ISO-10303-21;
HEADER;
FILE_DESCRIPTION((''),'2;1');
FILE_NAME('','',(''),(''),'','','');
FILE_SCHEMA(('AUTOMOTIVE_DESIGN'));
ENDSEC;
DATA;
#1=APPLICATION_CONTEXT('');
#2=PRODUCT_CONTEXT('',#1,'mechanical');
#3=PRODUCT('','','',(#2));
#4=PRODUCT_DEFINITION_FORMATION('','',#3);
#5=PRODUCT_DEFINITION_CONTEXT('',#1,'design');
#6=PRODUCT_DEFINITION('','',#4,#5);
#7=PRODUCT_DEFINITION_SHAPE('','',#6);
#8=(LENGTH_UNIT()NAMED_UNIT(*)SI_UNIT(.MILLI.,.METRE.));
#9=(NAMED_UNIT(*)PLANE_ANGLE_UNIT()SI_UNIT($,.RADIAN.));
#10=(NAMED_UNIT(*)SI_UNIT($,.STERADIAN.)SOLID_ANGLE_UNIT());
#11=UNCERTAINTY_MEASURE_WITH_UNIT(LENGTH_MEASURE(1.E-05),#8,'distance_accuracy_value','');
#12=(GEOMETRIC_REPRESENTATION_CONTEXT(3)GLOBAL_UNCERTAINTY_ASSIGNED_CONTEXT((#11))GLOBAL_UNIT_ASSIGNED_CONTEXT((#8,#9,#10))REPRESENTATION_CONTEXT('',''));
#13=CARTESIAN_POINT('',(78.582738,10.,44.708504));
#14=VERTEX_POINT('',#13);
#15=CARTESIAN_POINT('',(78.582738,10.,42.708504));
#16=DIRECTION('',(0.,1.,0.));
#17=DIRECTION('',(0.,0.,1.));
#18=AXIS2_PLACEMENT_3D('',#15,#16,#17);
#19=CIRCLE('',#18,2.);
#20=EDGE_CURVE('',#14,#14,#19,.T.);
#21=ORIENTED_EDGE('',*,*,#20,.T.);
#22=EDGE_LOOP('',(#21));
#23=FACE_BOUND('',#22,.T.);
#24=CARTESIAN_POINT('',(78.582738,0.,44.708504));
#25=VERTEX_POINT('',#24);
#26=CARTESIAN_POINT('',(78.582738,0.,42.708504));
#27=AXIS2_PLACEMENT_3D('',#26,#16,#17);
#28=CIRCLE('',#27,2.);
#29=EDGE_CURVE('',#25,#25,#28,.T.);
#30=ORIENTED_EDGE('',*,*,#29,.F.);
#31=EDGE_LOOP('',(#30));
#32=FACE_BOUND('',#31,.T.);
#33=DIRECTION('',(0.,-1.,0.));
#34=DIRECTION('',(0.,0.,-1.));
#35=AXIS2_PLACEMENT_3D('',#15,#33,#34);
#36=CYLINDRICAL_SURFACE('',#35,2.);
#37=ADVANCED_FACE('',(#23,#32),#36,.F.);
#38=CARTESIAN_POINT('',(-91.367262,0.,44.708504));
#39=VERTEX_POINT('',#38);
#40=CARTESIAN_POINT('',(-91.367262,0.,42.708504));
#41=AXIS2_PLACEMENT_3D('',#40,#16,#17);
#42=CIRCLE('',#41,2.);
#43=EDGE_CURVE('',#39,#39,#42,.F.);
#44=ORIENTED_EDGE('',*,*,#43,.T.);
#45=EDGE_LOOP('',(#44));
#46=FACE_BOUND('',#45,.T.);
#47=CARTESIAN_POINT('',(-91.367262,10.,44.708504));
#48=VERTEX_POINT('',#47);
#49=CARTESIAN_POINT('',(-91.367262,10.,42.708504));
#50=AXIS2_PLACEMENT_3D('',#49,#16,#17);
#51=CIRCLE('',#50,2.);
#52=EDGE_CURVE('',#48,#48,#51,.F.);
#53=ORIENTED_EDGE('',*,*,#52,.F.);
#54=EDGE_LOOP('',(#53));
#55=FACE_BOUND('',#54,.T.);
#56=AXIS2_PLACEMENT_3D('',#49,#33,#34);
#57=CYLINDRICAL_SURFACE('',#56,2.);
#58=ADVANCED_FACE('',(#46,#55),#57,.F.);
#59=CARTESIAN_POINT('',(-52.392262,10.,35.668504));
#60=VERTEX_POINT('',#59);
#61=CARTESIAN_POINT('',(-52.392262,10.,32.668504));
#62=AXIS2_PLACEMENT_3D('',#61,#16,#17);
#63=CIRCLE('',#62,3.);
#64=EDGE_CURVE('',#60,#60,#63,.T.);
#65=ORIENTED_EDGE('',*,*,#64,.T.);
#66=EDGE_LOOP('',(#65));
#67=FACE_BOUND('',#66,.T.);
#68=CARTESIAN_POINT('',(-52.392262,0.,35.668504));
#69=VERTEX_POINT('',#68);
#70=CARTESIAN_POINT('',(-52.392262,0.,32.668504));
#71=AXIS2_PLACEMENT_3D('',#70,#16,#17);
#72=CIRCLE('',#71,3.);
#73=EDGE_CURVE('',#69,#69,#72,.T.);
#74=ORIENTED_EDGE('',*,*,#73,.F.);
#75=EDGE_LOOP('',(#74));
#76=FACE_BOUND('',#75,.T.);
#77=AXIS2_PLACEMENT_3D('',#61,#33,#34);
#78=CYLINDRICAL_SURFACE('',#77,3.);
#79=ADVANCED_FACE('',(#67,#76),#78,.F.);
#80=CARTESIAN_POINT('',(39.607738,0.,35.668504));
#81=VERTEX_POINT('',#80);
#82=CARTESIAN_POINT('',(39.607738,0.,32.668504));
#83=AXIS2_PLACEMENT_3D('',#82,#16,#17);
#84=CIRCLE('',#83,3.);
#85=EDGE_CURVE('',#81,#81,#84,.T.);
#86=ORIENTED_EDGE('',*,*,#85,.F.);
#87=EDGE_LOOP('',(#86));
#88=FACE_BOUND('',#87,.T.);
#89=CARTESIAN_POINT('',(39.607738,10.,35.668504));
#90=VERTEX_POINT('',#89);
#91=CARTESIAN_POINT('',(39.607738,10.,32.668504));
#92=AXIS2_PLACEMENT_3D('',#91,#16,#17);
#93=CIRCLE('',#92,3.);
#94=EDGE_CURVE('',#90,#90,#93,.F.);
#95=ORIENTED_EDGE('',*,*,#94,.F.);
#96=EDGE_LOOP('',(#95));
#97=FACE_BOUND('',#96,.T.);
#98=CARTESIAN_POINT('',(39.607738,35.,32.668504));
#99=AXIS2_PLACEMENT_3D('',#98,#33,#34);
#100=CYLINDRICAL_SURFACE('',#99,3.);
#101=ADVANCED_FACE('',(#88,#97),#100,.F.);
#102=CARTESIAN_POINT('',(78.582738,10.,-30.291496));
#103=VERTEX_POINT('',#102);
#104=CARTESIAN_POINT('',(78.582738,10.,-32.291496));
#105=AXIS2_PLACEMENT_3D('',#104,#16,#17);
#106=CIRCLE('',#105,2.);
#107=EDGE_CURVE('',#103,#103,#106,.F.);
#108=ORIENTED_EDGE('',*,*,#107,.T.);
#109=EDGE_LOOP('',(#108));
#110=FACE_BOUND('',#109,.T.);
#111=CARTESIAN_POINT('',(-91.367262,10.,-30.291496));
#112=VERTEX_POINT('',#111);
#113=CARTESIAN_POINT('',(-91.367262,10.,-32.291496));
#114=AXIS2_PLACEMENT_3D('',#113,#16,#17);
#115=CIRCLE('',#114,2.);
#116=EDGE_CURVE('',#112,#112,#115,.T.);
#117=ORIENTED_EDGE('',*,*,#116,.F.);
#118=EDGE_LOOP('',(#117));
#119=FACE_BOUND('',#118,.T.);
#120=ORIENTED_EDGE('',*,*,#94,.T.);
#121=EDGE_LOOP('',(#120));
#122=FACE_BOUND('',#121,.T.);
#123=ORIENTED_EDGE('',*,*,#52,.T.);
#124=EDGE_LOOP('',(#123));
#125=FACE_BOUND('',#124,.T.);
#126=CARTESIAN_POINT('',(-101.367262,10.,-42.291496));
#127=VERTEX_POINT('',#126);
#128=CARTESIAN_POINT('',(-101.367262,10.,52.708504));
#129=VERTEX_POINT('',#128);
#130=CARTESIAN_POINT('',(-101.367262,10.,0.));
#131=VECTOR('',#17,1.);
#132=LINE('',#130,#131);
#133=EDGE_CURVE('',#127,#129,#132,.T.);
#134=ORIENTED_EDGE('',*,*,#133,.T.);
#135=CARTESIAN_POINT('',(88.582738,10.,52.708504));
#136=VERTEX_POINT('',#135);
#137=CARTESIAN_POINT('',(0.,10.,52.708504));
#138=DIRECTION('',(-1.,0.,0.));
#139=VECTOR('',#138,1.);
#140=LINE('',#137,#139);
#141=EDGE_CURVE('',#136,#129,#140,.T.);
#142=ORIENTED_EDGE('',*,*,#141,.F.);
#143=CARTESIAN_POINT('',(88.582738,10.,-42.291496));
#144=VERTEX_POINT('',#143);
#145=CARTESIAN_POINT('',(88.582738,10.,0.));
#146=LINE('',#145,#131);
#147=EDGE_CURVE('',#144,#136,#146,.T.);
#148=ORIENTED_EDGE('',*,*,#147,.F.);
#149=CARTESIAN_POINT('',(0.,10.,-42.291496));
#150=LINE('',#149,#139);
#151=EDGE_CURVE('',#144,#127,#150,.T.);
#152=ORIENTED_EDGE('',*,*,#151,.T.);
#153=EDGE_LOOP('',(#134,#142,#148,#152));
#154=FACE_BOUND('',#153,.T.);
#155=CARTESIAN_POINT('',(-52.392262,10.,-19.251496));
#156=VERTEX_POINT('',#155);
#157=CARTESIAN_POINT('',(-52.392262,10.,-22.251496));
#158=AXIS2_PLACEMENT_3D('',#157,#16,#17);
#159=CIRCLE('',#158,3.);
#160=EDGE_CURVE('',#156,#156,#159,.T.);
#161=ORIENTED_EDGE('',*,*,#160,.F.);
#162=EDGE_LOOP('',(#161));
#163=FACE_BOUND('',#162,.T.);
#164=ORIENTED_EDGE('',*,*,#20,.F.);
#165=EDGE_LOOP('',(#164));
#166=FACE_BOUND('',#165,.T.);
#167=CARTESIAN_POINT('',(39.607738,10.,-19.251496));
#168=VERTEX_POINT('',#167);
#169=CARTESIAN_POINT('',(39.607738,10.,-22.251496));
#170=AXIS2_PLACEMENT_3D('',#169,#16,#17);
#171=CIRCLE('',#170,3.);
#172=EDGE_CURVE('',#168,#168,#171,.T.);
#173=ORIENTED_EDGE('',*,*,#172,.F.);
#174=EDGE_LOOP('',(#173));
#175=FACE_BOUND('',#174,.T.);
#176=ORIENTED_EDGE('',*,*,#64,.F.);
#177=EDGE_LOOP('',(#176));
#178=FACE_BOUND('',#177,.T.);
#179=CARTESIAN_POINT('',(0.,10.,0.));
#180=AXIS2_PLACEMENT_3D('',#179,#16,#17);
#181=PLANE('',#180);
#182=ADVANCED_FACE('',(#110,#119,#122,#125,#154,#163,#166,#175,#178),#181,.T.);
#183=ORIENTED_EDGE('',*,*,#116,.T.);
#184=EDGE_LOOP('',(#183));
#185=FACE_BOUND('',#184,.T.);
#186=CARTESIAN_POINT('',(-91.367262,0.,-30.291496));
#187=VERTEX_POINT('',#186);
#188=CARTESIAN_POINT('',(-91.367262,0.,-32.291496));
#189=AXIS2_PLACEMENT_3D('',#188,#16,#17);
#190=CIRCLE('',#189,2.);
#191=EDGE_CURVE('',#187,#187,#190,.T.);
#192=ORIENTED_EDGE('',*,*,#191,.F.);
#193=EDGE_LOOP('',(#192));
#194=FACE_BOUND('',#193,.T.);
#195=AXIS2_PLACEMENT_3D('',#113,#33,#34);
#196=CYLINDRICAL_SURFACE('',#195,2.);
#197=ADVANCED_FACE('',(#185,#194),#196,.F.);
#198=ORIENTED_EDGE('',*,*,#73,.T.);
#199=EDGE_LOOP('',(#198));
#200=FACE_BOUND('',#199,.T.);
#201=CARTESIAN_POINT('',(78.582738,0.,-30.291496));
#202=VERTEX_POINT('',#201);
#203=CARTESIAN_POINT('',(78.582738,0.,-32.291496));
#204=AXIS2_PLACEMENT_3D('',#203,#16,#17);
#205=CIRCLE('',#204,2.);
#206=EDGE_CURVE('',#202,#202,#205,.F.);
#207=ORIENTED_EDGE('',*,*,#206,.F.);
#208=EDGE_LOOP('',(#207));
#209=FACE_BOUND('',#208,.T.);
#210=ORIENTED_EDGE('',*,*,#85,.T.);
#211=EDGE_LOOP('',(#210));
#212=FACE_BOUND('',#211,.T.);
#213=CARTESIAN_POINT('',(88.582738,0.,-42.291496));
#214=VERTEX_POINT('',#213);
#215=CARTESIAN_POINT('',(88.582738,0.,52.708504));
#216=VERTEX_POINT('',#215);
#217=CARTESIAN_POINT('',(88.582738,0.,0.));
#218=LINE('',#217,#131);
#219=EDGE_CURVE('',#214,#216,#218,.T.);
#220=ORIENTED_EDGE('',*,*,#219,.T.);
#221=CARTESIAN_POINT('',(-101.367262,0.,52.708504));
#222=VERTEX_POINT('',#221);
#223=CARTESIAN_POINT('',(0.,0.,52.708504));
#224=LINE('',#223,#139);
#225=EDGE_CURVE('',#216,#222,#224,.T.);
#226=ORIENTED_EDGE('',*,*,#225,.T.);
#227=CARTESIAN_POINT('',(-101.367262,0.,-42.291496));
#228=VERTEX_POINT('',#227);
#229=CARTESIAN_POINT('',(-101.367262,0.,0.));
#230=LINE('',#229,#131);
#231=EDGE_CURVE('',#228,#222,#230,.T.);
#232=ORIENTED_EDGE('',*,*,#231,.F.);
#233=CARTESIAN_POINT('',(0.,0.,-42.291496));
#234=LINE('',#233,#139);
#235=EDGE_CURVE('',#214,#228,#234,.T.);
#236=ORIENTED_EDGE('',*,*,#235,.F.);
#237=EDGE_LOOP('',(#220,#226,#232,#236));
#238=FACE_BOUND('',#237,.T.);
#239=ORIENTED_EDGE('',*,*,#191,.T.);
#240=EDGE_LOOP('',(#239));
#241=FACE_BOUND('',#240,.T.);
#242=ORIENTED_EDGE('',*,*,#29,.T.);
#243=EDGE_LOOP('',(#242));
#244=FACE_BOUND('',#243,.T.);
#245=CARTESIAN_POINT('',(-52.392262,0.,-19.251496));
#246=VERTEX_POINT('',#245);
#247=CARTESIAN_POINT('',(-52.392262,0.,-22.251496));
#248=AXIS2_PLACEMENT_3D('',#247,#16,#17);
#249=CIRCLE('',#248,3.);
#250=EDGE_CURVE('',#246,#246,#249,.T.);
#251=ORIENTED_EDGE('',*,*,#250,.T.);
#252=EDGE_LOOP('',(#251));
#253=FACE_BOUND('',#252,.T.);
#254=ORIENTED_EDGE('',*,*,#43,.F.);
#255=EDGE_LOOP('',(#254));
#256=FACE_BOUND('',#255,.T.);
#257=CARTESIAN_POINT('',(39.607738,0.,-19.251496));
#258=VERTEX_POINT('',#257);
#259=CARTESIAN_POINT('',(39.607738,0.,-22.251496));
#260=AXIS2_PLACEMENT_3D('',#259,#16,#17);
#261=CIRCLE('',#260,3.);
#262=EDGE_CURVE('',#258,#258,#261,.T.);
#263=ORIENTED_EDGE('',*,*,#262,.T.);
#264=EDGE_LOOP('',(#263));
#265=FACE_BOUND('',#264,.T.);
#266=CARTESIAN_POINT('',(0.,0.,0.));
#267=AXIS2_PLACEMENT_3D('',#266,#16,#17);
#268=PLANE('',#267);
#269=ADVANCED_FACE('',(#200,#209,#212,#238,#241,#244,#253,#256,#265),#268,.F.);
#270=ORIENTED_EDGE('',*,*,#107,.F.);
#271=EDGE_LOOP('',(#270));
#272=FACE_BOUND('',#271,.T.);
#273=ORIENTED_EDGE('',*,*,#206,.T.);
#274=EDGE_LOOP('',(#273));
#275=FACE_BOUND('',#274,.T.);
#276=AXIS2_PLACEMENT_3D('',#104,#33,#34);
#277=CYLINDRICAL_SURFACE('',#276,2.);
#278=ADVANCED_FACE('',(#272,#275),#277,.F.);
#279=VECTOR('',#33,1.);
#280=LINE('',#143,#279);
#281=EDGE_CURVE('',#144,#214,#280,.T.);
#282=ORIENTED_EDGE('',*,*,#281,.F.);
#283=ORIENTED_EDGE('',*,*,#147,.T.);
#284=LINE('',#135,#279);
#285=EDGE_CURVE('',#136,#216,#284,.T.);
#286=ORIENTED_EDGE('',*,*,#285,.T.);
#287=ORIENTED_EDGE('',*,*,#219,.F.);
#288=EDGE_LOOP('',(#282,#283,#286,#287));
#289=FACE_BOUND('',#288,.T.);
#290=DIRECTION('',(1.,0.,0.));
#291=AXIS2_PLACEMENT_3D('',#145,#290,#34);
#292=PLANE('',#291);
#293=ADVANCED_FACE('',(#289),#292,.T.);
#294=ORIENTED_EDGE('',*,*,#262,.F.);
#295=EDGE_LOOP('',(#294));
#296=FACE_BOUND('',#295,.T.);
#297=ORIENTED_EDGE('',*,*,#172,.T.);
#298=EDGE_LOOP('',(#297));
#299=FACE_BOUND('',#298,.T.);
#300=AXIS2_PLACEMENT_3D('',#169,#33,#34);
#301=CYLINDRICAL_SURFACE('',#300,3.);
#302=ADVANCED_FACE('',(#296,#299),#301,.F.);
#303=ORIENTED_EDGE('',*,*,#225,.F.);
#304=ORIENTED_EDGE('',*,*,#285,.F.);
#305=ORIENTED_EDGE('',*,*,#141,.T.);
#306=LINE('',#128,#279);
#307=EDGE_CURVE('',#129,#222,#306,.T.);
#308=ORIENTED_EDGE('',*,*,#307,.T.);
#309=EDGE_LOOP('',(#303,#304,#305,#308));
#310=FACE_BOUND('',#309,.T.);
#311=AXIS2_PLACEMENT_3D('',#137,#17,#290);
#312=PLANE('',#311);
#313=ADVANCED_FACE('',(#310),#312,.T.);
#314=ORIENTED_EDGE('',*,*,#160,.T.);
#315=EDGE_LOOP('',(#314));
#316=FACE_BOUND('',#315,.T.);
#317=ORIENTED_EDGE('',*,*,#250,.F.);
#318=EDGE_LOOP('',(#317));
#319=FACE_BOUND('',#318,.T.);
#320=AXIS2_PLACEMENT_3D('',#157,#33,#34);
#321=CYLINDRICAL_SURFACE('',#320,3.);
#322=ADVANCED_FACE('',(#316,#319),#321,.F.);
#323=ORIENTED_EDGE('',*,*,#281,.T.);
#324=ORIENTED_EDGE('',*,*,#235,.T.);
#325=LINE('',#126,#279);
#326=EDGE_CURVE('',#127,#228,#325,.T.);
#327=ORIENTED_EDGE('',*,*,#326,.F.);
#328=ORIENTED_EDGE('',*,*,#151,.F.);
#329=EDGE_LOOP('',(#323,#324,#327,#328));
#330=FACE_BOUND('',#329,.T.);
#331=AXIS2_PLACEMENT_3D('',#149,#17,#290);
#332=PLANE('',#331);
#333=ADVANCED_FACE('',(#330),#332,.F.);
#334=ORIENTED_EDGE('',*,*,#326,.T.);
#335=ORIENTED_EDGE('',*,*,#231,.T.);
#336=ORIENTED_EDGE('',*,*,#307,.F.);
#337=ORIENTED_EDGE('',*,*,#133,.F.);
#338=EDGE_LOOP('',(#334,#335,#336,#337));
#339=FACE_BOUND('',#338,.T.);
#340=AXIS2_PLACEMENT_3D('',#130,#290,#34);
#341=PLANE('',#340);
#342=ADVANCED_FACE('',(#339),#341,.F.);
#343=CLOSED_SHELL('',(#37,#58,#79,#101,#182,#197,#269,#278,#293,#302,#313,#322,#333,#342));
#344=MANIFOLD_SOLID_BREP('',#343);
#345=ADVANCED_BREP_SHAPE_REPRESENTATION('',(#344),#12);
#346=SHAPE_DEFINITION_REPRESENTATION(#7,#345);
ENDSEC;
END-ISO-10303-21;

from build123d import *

# Parameters (mm, degrees)
SKETCH2_R           = 2
SKETCH2_R_2         = 3
BOSS_EXTRUDE1_DEPTH = 10
SKETCH2_4_R         = 3
CUT_EXTRUDE1_DEPTH  = 35


with BuildPart() as part:
    # Sketch2 → Boss-Extrude1 (new body)
    with BuildSketch(Plane(origin=(0, 0, 0), x_dir=(1, 0, 0), z_dir=(0, 1, 0))):
        Polygon((-91.36726229, 42.291495859), (-101.36726229, 42.291495859), (-101.36726229, -52.708504141), (88.58273771, -52.708504141), (88.58273771, 42.291495859), align=None)
        with Locations((-91.36726229, -42.708504141)):
            Circle(SKETCH2_R, mode=Mode.SUBTRACT)
        with Locations((-52.39226229, -32.668504141)):
            Circle(SKETCH2_R_2, mode=Mode.SUBTRACT)
        with Locations((-52.39226229, 22.251495859)):
            Circle(SKETCH2_R_2, mode=Mode.SUBTRACT)
        with Locations((-91.36726229, 32.291495859)):
            Circle(SKETCH2_R, mode=Mode.SUBTRACT)
        with Locations((39.60773771, 22.251495859)):
            Circle(SKETCH2_R_2, mode=Mode.SUBTRACT)
        with Locations((78.58273771, 32.291495859)):
            Circle(SKETCH2_R, mode=Mode.SUBTRACT)
        with Locations((78.58273771, -42.708504141)):
            Circle(SKETCH2_R, mode=Mode.SUBTRACT)
    extrude(amount=BOSS_EXTRUDE1_DEPTH)

    # Sketch2<4> → Cut-Extrude1 (cut)
    with BuildSketch(Plane(origin=(0, 0, 0), x_dir=(1, 0, 0), z_dir=(0, 1, 0))):
        with Locations((39.60773771, -32.668504141)):
            Circle(SKETCH2_4_R)
    extrude(amount=CUT_EXTRUDE1_DEPTH, mode=Mode.SUBTRACT)


solid = part.part
